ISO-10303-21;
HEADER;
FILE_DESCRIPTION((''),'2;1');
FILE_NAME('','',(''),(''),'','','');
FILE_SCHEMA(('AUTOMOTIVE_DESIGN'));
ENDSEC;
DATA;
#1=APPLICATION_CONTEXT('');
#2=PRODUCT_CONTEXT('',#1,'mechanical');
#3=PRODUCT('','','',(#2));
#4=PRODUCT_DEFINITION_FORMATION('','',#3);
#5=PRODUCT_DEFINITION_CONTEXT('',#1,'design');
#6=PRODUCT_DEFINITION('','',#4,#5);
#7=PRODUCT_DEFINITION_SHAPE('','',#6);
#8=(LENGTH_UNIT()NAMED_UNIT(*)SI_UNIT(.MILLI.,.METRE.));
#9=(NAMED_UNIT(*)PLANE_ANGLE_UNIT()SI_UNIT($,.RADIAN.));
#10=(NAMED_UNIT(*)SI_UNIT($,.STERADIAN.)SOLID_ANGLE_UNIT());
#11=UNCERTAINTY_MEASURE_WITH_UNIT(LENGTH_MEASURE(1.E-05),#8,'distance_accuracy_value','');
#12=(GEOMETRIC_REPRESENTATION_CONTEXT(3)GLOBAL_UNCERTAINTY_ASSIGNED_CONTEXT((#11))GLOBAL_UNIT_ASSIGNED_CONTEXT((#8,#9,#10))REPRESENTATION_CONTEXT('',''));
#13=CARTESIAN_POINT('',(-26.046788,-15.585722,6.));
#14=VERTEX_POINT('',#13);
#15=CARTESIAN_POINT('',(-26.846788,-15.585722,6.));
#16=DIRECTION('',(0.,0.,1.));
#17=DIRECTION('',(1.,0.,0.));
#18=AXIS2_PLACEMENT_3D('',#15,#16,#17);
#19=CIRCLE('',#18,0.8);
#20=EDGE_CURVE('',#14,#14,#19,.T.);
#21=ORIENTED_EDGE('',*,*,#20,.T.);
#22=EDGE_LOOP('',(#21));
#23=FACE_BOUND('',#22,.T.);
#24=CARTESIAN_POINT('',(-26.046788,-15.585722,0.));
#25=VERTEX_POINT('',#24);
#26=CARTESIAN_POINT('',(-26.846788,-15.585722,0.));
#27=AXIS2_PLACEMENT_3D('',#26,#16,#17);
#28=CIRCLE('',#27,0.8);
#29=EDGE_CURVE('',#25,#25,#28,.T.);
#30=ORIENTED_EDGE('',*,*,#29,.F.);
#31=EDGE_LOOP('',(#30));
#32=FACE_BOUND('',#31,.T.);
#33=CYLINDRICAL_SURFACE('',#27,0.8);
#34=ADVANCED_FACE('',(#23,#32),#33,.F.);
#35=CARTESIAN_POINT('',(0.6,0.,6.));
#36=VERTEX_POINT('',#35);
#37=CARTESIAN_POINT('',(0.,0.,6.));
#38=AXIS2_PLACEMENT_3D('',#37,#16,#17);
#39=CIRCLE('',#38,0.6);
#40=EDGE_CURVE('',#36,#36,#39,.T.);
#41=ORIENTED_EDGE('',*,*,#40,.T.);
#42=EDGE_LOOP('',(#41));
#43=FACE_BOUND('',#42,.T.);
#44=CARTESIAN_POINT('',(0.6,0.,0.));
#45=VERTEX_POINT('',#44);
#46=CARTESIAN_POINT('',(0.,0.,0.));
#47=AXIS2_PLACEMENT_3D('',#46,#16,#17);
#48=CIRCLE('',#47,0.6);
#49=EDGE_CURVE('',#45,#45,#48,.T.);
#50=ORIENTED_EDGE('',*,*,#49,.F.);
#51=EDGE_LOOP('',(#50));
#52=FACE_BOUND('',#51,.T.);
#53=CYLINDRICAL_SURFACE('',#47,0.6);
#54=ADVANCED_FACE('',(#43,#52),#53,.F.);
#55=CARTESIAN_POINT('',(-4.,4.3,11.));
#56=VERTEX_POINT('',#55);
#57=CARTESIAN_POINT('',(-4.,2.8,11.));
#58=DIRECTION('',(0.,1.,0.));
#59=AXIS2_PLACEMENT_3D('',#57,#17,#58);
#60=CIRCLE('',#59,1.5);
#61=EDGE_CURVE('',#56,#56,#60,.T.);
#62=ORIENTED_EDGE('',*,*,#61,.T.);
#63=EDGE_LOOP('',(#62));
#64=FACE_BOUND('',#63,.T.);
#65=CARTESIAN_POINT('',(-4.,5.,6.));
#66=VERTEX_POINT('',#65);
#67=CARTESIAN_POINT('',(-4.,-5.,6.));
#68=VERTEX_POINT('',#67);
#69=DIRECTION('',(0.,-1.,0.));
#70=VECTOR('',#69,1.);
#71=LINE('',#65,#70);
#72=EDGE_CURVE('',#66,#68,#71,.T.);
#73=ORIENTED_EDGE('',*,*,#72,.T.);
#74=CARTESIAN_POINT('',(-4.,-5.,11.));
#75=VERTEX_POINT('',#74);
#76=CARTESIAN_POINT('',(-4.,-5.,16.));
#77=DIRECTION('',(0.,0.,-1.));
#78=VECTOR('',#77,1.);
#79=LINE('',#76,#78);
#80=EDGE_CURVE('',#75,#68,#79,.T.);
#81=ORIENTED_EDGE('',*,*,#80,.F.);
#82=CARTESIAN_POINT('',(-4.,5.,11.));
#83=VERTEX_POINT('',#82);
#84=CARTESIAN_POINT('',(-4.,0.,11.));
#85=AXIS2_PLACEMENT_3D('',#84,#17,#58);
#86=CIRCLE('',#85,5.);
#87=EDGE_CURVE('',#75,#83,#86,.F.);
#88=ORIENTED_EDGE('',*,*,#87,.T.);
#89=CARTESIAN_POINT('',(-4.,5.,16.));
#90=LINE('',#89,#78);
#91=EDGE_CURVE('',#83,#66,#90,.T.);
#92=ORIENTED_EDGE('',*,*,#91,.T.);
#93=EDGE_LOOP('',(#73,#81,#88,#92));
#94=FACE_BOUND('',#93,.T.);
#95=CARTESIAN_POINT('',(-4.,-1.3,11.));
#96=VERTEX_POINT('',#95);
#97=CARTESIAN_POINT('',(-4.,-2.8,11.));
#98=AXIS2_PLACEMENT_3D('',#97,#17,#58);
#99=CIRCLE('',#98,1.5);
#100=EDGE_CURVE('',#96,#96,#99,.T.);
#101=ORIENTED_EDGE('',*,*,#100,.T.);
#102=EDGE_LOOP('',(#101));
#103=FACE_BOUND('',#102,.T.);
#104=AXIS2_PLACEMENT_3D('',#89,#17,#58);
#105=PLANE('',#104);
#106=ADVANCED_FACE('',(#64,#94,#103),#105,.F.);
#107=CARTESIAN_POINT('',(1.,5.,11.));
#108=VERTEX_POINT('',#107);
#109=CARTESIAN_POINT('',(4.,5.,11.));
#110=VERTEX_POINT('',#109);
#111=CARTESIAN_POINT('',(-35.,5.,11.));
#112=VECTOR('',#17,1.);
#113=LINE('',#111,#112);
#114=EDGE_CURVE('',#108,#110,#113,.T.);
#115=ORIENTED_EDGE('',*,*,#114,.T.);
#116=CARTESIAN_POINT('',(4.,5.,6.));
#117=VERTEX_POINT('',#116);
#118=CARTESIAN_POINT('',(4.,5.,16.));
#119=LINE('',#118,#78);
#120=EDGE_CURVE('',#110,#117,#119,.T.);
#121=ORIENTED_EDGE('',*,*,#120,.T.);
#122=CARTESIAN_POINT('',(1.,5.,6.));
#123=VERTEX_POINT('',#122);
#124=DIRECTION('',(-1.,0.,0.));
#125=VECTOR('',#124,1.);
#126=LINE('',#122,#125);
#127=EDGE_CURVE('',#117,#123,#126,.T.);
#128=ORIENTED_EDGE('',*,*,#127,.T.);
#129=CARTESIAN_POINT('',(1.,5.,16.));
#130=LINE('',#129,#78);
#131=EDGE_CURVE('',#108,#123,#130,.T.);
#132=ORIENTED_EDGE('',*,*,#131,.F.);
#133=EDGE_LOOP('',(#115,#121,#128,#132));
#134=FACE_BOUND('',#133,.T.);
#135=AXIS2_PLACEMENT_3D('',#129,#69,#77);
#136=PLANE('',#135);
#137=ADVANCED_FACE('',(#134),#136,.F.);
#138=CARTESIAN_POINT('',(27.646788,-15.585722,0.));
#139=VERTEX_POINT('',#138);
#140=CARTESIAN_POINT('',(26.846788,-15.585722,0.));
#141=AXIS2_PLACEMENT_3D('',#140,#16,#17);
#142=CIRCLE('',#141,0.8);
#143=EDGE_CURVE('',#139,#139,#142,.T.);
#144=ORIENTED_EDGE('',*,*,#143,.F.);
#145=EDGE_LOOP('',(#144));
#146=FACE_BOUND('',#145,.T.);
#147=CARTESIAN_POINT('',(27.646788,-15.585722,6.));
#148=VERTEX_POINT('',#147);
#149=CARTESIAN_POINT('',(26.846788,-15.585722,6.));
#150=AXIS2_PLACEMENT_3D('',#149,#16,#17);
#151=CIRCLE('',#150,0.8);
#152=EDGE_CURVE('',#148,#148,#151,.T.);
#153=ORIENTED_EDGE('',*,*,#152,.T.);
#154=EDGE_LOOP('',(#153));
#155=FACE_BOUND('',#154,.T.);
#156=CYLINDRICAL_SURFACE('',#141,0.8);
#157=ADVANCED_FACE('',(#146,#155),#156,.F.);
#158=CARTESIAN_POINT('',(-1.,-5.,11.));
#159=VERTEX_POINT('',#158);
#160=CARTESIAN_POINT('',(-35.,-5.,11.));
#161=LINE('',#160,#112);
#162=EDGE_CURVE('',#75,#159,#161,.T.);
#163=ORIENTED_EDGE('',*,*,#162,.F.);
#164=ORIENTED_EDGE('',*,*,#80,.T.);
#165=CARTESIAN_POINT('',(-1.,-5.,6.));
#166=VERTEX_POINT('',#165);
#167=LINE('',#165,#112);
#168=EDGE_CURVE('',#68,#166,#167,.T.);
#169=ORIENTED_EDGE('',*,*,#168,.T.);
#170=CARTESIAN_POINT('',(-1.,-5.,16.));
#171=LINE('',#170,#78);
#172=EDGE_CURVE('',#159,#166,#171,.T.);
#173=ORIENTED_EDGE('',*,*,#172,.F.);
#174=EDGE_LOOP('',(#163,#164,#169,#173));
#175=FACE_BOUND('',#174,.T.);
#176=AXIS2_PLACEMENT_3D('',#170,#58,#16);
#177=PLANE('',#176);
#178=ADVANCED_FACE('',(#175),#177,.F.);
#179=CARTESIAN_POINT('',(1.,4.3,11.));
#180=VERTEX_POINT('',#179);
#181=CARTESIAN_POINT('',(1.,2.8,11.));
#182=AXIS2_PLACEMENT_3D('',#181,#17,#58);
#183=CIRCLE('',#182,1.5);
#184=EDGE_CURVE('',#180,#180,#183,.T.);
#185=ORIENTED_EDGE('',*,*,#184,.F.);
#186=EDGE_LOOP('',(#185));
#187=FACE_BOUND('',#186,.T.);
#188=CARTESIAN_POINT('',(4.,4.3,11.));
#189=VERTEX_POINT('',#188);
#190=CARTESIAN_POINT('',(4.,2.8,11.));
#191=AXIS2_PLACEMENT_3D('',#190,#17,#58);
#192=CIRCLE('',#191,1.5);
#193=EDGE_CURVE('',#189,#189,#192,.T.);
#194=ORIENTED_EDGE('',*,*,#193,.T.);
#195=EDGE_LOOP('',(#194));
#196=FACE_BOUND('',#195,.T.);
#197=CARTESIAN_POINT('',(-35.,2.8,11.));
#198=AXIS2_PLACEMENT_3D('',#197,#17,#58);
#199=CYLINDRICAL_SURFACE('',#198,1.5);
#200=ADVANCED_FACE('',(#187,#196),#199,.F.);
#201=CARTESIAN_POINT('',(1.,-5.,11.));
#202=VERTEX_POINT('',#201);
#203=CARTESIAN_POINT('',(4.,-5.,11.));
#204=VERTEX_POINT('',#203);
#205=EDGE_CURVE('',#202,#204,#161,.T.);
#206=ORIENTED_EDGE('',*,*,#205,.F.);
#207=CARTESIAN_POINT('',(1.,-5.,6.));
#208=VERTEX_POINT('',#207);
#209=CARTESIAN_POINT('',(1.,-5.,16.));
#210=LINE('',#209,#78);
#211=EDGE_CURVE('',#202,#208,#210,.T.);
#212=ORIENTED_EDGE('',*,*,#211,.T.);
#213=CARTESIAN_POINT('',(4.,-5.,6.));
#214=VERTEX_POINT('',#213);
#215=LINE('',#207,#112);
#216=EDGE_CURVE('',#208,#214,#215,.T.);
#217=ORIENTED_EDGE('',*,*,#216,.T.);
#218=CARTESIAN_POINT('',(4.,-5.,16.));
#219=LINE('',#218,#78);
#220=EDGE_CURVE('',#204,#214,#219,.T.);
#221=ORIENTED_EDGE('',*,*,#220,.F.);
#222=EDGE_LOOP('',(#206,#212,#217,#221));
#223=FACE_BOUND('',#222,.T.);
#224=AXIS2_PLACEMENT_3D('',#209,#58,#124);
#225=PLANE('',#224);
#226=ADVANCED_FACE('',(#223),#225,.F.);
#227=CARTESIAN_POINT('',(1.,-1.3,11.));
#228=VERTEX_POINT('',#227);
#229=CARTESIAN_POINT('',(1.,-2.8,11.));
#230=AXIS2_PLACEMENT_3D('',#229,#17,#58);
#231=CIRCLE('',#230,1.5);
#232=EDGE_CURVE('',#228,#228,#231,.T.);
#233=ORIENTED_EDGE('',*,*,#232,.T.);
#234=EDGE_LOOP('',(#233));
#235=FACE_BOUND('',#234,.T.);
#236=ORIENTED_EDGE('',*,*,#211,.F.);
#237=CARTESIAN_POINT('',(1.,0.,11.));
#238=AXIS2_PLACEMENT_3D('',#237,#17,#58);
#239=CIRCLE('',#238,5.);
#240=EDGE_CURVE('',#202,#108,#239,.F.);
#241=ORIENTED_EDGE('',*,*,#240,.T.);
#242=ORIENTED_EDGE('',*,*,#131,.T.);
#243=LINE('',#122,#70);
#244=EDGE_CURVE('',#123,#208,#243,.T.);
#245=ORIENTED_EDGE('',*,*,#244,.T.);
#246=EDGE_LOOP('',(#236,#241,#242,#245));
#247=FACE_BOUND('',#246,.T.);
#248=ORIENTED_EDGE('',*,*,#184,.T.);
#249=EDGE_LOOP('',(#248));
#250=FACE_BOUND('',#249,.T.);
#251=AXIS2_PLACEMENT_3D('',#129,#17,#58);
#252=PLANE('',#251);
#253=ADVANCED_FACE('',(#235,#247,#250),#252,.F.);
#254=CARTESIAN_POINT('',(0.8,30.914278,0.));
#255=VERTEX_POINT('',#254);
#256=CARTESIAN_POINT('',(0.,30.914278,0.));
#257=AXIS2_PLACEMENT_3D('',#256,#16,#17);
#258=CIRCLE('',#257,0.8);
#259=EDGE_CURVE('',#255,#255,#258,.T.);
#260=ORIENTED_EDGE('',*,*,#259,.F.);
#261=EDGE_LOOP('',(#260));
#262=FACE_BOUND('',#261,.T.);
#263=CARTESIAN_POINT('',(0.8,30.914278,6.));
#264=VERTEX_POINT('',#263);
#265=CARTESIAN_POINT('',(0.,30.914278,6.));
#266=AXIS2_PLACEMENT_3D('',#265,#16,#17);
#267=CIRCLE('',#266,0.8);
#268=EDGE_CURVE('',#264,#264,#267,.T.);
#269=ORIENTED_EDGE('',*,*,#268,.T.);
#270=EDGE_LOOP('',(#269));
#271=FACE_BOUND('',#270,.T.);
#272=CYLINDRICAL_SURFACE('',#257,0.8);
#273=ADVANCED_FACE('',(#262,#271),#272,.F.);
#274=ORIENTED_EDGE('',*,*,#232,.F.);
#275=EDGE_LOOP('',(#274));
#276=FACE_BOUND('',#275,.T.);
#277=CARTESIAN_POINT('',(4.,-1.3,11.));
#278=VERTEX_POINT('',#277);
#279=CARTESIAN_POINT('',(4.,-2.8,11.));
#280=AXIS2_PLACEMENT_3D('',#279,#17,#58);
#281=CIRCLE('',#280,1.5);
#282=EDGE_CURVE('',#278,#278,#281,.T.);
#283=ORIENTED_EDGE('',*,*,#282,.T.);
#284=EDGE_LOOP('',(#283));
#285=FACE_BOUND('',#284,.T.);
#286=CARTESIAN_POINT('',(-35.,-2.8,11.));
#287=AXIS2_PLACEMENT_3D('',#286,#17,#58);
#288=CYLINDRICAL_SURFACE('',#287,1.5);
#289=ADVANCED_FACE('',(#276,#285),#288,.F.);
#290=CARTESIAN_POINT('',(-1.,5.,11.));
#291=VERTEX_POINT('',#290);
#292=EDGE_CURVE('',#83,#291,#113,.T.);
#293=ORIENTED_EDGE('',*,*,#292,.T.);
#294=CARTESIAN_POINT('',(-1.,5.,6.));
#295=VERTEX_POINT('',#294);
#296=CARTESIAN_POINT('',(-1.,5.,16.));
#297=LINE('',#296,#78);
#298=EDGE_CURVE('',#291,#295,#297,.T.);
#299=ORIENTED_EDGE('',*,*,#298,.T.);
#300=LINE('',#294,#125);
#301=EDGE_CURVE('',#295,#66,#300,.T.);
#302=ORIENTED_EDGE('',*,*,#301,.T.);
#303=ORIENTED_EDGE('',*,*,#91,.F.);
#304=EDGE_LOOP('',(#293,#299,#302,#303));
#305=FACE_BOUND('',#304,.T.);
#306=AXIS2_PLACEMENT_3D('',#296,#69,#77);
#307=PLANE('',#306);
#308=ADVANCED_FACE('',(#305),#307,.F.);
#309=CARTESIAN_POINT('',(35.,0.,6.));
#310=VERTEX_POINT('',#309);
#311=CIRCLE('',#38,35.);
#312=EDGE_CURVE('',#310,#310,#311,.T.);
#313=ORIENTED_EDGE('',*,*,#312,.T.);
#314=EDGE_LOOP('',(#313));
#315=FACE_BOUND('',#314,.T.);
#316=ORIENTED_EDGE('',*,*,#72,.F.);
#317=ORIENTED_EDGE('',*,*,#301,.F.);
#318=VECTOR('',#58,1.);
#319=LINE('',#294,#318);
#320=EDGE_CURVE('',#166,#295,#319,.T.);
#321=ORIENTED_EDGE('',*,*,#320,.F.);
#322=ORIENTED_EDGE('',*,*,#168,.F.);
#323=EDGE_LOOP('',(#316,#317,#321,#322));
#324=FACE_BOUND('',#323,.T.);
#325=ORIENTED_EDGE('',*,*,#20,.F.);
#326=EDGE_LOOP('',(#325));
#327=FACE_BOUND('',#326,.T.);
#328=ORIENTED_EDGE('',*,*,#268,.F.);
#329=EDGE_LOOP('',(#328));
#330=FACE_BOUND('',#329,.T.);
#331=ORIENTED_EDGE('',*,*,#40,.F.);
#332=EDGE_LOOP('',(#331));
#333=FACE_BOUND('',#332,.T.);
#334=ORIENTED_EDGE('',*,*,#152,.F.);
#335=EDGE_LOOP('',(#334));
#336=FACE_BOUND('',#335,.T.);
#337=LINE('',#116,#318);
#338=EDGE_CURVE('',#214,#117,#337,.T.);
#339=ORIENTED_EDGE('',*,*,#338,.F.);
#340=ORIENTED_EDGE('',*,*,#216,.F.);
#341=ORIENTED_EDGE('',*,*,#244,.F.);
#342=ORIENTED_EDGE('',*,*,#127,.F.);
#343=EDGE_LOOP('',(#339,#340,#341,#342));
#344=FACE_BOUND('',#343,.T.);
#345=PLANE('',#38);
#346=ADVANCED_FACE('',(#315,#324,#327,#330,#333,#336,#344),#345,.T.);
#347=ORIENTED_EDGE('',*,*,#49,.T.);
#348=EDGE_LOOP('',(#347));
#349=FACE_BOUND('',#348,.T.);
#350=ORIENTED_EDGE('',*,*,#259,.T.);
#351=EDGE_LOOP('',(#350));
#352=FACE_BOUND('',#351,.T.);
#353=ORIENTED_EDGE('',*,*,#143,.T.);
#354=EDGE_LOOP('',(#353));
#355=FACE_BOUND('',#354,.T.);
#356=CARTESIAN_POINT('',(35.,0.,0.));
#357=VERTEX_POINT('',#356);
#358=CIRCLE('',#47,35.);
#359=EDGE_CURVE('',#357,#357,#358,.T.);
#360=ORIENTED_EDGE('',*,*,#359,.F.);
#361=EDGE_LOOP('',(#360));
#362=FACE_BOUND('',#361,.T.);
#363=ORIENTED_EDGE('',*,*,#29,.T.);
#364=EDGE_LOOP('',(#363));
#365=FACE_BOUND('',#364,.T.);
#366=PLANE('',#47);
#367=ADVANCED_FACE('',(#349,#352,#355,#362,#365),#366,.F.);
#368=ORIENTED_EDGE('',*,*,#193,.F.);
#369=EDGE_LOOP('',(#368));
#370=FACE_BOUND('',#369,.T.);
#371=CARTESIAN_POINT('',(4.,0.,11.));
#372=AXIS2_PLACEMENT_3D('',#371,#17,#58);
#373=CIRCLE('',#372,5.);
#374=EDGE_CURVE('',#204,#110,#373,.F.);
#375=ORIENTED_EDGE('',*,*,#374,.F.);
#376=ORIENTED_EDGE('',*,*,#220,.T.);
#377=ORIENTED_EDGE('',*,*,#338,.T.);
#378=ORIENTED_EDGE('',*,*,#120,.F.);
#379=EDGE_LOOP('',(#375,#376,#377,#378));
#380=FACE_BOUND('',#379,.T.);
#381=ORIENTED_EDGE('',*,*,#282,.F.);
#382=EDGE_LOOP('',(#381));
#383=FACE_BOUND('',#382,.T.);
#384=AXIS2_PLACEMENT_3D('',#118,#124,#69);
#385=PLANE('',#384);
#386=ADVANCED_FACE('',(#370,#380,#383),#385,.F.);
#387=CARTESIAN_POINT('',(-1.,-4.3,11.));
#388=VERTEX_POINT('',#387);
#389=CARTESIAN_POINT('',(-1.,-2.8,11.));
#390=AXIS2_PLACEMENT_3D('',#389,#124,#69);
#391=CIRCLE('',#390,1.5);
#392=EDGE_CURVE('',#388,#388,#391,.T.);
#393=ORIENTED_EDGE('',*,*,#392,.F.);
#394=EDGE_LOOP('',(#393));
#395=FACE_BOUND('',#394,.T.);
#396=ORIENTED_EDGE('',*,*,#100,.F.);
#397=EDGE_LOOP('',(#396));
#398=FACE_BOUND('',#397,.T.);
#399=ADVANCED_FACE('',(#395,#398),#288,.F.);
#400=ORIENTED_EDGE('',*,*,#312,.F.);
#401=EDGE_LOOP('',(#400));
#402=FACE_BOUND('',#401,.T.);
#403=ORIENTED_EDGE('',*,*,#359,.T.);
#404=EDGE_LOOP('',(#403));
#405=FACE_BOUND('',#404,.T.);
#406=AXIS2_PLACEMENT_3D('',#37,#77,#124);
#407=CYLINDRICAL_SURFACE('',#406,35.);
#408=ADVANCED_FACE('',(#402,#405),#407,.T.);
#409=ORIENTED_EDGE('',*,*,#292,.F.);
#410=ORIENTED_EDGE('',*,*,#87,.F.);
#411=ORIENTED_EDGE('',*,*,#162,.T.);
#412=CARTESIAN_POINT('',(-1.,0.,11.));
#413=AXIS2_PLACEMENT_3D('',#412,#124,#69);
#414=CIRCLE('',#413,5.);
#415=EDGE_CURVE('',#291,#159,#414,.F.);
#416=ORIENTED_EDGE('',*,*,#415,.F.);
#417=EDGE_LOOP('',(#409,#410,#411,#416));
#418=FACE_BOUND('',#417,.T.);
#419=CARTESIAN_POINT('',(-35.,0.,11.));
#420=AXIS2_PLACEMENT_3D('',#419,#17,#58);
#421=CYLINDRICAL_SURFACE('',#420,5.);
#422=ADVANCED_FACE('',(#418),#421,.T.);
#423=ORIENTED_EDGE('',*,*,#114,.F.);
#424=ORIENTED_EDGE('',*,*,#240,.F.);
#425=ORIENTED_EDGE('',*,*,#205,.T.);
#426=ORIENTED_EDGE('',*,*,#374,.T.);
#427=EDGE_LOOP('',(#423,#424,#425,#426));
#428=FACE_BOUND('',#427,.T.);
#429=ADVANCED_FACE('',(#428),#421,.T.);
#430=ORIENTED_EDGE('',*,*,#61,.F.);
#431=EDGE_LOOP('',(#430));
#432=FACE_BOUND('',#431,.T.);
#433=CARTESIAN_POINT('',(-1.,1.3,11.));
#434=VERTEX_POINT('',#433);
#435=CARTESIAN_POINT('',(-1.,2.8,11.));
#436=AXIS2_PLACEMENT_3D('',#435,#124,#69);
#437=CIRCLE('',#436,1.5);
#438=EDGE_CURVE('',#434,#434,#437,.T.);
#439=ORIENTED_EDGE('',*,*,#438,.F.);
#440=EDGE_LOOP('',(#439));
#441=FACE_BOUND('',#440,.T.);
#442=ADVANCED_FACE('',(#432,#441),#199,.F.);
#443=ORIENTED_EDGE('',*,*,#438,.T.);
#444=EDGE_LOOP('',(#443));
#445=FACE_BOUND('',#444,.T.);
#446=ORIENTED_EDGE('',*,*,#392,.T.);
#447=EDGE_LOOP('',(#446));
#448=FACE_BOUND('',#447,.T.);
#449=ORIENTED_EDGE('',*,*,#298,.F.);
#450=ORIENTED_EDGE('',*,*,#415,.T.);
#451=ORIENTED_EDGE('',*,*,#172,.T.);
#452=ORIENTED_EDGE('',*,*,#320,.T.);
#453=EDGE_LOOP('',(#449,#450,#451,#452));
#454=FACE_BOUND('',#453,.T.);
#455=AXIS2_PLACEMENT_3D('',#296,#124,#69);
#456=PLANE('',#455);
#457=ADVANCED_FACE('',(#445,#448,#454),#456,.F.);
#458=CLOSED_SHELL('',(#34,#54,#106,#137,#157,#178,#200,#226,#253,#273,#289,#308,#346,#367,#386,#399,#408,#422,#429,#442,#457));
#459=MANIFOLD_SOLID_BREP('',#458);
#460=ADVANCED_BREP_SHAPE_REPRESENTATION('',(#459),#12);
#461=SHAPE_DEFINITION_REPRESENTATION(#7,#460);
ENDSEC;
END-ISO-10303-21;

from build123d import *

# Parameters (mm, degrees)
SKETCH2_R           = 35
BOSS_EXTRUDE1_DEPTH = 6
SKETCH3_R           = 0.8
CUT_EXTRUDE1_DEPTH  = 6
SKETCH4_R           = 0.6
CUT_EXTRUDE2_DEPTH  = 6
SKETCH5_W           = 3
SKETCH5_H           = 10
BOSS_EXTRUDE2_DEPTH = 10
CUT_EXTRUDE3_DEPTH  = 55.790510127
SKETCH7_R           = 1.5
CUT_EXTRUDE4_DEPTH  = 55.790510127


with BuildPart() as part:
    # Sketch2 → Boss-Extrude1 (new body)
    with BuildSketch(Plane.XY):
        Circle(SKETCH2_R)
    extrude(amount=BOSS_EXTRUDE1_DEPTH)

    # Sketch3 → Cut-Extrude1 (cut)
    with BuildSketch(Plane.XY.offset(6)):
        with Locations((0, 30.914278185)):
            Circle(SKETCH3_R)
        with Locations((26.846787517, -15.585721815)):
            Circle(SKETCH3_R)
        with Locations((-26.846787517, -15.585721815)):
            Circle(SKETCH3_R)
    extrude(amount=-CUT_EXTRUDE1_DEPTH, mode=Mode.SUBTRACT)

    # Sketch4 → Cut-Extrude2 (cut)
    with BuildSketch(Plane.XY.offset(6)):
        Circle(SKETCH4_R)
    extrude(amount=-CUT_EXTRUDE2_DEPTH, mode=Mode.SUBTRACT)

    # Sketch5 → Boss-Extrude2 (add)
    with BuildSketch(Plane.XY.offset(6)):
        with Locations((2.5, 0)):
            Rectangle(SKETCH5_W, SKETCH5_H)
        with Locations((-2.5, 0)):
            Rectangle(SKETCH5_W, SKETCH5_H)
    extrude(amount=BOSS_EXTRUDE2_DEPTH)

    # Sketch6 → Cut-Extrude3 (cut, through all)
    with BuildSketch(Plane(origin=(4, 0, 0), x_dir=(0, 0, -1), z_dir=(1, 0, 0))):
        with BuildLine():
            ThreePointArc((-16, 0), (-14.535533906, 3.535533906), (-11, 5))
            Line((-11, 5), (-16, 5))
            Line((-16, 5), (-16, 0))
        make_face()
        with BuildLine():
            ThreePointArc((-11, -5), (-14.535533906, -3.535533906), (-16, 0))
            Line((-16, 0), (-16, -5))
            Line((-16, -5), (-11, -5))
        make_face()
    extrude(amount=-CUT_EXTRUDE3_DEPTH, mode=Mode.SUBTRACT)

    # Sketch7 → Cut-Extrude4 (cut, through all)
    with BuildSketch(Plane(origin=(4, 0, 0), x_dir=(0, 0, -1), z_dir=(1, 0, 0))):
        with Locations(Location((-11, 2.8, 0), (0, 0, 90))):
            Circle(SKETCH7_R)
        with Locations(Location((-11, -2.8, 0), (0, 0, 90))):
            Circle(SKETCH7_R)
    extrude(amount=-CUT_EXTRUDE4_DEPTH, mode=Mode.SUBTRACT)


solid = part.part
